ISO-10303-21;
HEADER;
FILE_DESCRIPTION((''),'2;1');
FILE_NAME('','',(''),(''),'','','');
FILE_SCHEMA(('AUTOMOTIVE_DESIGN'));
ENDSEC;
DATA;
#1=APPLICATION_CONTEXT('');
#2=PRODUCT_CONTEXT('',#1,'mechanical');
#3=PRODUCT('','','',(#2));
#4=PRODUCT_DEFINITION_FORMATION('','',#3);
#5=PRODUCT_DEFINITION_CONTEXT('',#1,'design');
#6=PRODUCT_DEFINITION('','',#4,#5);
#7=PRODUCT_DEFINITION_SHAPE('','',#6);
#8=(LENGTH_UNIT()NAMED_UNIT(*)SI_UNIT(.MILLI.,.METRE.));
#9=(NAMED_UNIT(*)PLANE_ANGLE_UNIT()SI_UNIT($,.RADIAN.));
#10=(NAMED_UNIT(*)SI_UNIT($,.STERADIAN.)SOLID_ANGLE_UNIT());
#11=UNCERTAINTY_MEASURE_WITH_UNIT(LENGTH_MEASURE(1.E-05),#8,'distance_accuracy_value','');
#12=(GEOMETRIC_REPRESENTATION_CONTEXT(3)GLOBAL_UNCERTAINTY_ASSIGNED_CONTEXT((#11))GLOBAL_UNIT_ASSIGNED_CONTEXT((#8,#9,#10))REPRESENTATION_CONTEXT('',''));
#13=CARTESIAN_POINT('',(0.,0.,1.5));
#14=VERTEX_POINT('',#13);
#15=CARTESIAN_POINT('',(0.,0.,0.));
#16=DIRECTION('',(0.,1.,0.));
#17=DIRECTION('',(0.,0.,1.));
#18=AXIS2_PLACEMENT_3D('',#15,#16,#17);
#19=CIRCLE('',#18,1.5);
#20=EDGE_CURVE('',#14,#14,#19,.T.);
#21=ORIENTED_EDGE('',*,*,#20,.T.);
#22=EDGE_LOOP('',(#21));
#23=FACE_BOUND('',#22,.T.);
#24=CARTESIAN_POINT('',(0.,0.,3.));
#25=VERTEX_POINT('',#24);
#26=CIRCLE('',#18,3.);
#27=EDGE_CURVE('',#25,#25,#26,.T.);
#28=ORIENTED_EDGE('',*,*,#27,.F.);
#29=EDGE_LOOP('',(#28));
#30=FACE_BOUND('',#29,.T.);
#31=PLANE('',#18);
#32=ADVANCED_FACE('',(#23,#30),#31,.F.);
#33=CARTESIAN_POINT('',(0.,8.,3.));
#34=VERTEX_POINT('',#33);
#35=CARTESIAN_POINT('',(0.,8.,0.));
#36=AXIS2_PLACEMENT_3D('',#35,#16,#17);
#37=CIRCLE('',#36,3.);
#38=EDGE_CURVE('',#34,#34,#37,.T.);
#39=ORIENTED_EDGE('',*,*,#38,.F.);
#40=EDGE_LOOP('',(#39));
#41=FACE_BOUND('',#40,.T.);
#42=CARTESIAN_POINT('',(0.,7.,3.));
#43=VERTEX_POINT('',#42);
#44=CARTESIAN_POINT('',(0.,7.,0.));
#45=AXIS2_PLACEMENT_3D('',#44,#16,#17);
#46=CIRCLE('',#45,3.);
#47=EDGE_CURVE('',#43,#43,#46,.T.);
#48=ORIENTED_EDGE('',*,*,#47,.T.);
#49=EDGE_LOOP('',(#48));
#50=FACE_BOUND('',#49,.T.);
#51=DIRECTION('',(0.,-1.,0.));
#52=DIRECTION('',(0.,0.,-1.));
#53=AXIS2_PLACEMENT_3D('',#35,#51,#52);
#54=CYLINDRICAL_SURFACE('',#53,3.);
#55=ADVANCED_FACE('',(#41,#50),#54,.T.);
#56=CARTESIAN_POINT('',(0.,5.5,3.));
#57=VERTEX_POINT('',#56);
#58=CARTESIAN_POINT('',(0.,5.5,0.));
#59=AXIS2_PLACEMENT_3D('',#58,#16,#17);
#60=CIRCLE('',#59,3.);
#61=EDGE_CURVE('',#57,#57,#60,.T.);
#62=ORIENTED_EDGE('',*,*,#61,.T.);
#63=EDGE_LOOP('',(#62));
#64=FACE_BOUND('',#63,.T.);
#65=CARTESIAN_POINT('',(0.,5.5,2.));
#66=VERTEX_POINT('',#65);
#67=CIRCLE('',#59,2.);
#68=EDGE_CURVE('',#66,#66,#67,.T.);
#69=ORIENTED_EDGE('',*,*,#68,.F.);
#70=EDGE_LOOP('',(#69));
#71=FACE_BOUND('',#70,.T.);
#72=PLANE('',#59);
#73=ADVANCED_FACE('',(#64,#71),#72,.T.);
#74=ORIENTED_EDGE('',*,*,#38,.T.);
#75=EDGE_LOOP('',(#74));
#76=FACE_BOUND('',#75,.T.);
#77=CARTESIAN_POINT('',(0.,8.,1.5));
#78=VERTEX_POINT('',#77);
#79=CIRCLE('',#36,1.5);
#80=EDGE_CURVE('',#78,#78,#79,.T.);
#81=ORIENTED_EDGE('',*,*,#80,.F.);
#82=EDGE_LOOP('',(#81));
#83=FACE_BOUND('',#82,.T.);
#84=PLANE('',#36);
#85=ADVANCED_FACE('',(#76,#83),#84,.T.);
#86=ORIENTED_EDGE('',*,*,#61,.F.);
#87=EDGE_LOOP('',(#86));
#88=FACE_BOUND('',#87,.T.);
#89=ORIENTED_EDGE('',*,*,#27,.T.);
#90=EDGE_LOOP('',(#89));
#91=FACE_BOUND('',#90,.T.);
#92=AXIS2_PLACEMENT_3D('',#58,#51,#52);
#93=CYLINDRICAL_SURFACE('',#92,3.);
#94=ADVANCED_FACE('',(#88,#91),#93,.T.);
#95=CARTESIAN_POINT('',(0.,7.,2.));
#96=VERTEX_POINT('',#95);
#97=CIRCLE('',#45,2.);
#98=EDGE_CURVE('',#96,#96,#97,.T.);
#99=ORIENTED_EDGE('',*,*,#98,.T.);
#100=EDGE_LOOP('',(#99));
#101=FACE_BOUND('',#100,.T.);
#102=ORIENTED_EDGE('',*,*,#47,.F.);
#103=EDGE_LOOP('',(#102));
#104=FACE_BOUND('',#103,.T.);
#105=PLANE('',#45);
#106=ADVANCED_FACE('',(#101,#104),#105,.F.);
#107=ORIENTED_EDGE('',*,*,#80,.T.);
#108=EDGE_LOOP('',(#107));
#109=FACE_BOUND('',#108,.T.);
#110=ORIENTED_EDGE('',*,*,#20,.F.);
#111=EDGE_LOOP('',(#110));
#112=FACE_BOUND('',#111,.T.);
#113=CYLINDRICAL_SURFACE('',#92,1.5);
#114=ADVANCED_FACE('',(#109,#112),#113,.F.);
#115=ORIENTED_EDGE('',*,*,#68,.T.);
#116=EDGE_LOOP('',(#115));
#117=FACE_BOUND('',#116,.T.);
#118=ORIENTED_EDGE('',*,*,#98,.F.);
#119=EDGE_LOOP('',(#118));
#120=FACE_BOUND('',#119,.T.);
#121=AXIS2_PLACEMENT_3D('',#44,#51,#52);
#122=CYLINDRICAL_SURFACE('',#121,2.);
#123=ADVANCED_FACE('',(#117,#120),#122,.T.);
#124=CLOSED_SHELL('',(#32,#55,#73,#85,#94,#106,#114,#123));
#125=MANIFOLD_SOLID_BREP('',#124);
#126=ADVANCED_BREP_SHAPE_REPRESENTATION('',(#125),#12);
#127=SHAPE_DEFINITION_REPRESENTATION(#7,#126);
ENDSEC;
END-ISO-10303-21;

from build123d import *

# Parameters (mm, degrees)
SKETCH_1_R      = 3
SKETCH_1_R_2    = 1.5
EXTRUDE_1_DEPTH = 5.5
SKETCH_2_R      = 2
SKETCH_2_R_2    = 1.5
EXTRUDE_2_DEPTH = 1.5
SKETCH_3_R      = 3
SKETCH_3_R_2    = 1.5
EXTRUDE_4_DEPTH = 1


with BuildPart() as part:
    # 草图1 → 凸台-拉伸1 (new body)
    with BuildSketch(Plane(origin=(0, 0, 0), x_dir=(1, 0, 0), z_dir=(0, 1, 0))):
        with Locations(Location((0, 0, 0), (0, 0, 270))):
            Circle(SKETCH_1_R)
        with Locations(Location((0, 0, 0), (0, 0, 270))):
            Circle(SKETCH_1_R_2, mode=Mode.SUBTRACT)
    extrude(amount=EXTRUDE_1_DEPTH)

    # 草图2 → 凸台-拉伸2 (add)
    with BuildSketch(Plane(origin=(0, 5.5, 0), x_dir=(1, 0, 0), z_dir=(0, 1, 0))):
        with Locations(Location((0, 0, 0), (0, 0, 270))):
            Circle(SKETCH_2_R)
        with Locations(Location((0, 0, 0), (0, 0, 270))):
            Circle(SKETCH_2_R_2, mode=Mode.SUBTRACT)
    extrude(amount=EXTRUDE_2_DEPTH)

    # 草图3 → 凸台-拉伸4 (add)
    with BuildSketch(Plane(origin=(0, 7, 0), x_dir=(1, 0, 0), z_dir=(0, 1, 0))):
        with Locations(Location((0, 0, 0), (0, 0, 270))):
            Circle(SKETCH_3_R)
        with Locations(Location((0, 0, 0), (0, 0, 270))):
            Circle(SKETCH_3_R_2, mode=Mode.SUBTRACT)
    extrude(amount=EXTRUDE_4_DEPTH)


solid = part.part
